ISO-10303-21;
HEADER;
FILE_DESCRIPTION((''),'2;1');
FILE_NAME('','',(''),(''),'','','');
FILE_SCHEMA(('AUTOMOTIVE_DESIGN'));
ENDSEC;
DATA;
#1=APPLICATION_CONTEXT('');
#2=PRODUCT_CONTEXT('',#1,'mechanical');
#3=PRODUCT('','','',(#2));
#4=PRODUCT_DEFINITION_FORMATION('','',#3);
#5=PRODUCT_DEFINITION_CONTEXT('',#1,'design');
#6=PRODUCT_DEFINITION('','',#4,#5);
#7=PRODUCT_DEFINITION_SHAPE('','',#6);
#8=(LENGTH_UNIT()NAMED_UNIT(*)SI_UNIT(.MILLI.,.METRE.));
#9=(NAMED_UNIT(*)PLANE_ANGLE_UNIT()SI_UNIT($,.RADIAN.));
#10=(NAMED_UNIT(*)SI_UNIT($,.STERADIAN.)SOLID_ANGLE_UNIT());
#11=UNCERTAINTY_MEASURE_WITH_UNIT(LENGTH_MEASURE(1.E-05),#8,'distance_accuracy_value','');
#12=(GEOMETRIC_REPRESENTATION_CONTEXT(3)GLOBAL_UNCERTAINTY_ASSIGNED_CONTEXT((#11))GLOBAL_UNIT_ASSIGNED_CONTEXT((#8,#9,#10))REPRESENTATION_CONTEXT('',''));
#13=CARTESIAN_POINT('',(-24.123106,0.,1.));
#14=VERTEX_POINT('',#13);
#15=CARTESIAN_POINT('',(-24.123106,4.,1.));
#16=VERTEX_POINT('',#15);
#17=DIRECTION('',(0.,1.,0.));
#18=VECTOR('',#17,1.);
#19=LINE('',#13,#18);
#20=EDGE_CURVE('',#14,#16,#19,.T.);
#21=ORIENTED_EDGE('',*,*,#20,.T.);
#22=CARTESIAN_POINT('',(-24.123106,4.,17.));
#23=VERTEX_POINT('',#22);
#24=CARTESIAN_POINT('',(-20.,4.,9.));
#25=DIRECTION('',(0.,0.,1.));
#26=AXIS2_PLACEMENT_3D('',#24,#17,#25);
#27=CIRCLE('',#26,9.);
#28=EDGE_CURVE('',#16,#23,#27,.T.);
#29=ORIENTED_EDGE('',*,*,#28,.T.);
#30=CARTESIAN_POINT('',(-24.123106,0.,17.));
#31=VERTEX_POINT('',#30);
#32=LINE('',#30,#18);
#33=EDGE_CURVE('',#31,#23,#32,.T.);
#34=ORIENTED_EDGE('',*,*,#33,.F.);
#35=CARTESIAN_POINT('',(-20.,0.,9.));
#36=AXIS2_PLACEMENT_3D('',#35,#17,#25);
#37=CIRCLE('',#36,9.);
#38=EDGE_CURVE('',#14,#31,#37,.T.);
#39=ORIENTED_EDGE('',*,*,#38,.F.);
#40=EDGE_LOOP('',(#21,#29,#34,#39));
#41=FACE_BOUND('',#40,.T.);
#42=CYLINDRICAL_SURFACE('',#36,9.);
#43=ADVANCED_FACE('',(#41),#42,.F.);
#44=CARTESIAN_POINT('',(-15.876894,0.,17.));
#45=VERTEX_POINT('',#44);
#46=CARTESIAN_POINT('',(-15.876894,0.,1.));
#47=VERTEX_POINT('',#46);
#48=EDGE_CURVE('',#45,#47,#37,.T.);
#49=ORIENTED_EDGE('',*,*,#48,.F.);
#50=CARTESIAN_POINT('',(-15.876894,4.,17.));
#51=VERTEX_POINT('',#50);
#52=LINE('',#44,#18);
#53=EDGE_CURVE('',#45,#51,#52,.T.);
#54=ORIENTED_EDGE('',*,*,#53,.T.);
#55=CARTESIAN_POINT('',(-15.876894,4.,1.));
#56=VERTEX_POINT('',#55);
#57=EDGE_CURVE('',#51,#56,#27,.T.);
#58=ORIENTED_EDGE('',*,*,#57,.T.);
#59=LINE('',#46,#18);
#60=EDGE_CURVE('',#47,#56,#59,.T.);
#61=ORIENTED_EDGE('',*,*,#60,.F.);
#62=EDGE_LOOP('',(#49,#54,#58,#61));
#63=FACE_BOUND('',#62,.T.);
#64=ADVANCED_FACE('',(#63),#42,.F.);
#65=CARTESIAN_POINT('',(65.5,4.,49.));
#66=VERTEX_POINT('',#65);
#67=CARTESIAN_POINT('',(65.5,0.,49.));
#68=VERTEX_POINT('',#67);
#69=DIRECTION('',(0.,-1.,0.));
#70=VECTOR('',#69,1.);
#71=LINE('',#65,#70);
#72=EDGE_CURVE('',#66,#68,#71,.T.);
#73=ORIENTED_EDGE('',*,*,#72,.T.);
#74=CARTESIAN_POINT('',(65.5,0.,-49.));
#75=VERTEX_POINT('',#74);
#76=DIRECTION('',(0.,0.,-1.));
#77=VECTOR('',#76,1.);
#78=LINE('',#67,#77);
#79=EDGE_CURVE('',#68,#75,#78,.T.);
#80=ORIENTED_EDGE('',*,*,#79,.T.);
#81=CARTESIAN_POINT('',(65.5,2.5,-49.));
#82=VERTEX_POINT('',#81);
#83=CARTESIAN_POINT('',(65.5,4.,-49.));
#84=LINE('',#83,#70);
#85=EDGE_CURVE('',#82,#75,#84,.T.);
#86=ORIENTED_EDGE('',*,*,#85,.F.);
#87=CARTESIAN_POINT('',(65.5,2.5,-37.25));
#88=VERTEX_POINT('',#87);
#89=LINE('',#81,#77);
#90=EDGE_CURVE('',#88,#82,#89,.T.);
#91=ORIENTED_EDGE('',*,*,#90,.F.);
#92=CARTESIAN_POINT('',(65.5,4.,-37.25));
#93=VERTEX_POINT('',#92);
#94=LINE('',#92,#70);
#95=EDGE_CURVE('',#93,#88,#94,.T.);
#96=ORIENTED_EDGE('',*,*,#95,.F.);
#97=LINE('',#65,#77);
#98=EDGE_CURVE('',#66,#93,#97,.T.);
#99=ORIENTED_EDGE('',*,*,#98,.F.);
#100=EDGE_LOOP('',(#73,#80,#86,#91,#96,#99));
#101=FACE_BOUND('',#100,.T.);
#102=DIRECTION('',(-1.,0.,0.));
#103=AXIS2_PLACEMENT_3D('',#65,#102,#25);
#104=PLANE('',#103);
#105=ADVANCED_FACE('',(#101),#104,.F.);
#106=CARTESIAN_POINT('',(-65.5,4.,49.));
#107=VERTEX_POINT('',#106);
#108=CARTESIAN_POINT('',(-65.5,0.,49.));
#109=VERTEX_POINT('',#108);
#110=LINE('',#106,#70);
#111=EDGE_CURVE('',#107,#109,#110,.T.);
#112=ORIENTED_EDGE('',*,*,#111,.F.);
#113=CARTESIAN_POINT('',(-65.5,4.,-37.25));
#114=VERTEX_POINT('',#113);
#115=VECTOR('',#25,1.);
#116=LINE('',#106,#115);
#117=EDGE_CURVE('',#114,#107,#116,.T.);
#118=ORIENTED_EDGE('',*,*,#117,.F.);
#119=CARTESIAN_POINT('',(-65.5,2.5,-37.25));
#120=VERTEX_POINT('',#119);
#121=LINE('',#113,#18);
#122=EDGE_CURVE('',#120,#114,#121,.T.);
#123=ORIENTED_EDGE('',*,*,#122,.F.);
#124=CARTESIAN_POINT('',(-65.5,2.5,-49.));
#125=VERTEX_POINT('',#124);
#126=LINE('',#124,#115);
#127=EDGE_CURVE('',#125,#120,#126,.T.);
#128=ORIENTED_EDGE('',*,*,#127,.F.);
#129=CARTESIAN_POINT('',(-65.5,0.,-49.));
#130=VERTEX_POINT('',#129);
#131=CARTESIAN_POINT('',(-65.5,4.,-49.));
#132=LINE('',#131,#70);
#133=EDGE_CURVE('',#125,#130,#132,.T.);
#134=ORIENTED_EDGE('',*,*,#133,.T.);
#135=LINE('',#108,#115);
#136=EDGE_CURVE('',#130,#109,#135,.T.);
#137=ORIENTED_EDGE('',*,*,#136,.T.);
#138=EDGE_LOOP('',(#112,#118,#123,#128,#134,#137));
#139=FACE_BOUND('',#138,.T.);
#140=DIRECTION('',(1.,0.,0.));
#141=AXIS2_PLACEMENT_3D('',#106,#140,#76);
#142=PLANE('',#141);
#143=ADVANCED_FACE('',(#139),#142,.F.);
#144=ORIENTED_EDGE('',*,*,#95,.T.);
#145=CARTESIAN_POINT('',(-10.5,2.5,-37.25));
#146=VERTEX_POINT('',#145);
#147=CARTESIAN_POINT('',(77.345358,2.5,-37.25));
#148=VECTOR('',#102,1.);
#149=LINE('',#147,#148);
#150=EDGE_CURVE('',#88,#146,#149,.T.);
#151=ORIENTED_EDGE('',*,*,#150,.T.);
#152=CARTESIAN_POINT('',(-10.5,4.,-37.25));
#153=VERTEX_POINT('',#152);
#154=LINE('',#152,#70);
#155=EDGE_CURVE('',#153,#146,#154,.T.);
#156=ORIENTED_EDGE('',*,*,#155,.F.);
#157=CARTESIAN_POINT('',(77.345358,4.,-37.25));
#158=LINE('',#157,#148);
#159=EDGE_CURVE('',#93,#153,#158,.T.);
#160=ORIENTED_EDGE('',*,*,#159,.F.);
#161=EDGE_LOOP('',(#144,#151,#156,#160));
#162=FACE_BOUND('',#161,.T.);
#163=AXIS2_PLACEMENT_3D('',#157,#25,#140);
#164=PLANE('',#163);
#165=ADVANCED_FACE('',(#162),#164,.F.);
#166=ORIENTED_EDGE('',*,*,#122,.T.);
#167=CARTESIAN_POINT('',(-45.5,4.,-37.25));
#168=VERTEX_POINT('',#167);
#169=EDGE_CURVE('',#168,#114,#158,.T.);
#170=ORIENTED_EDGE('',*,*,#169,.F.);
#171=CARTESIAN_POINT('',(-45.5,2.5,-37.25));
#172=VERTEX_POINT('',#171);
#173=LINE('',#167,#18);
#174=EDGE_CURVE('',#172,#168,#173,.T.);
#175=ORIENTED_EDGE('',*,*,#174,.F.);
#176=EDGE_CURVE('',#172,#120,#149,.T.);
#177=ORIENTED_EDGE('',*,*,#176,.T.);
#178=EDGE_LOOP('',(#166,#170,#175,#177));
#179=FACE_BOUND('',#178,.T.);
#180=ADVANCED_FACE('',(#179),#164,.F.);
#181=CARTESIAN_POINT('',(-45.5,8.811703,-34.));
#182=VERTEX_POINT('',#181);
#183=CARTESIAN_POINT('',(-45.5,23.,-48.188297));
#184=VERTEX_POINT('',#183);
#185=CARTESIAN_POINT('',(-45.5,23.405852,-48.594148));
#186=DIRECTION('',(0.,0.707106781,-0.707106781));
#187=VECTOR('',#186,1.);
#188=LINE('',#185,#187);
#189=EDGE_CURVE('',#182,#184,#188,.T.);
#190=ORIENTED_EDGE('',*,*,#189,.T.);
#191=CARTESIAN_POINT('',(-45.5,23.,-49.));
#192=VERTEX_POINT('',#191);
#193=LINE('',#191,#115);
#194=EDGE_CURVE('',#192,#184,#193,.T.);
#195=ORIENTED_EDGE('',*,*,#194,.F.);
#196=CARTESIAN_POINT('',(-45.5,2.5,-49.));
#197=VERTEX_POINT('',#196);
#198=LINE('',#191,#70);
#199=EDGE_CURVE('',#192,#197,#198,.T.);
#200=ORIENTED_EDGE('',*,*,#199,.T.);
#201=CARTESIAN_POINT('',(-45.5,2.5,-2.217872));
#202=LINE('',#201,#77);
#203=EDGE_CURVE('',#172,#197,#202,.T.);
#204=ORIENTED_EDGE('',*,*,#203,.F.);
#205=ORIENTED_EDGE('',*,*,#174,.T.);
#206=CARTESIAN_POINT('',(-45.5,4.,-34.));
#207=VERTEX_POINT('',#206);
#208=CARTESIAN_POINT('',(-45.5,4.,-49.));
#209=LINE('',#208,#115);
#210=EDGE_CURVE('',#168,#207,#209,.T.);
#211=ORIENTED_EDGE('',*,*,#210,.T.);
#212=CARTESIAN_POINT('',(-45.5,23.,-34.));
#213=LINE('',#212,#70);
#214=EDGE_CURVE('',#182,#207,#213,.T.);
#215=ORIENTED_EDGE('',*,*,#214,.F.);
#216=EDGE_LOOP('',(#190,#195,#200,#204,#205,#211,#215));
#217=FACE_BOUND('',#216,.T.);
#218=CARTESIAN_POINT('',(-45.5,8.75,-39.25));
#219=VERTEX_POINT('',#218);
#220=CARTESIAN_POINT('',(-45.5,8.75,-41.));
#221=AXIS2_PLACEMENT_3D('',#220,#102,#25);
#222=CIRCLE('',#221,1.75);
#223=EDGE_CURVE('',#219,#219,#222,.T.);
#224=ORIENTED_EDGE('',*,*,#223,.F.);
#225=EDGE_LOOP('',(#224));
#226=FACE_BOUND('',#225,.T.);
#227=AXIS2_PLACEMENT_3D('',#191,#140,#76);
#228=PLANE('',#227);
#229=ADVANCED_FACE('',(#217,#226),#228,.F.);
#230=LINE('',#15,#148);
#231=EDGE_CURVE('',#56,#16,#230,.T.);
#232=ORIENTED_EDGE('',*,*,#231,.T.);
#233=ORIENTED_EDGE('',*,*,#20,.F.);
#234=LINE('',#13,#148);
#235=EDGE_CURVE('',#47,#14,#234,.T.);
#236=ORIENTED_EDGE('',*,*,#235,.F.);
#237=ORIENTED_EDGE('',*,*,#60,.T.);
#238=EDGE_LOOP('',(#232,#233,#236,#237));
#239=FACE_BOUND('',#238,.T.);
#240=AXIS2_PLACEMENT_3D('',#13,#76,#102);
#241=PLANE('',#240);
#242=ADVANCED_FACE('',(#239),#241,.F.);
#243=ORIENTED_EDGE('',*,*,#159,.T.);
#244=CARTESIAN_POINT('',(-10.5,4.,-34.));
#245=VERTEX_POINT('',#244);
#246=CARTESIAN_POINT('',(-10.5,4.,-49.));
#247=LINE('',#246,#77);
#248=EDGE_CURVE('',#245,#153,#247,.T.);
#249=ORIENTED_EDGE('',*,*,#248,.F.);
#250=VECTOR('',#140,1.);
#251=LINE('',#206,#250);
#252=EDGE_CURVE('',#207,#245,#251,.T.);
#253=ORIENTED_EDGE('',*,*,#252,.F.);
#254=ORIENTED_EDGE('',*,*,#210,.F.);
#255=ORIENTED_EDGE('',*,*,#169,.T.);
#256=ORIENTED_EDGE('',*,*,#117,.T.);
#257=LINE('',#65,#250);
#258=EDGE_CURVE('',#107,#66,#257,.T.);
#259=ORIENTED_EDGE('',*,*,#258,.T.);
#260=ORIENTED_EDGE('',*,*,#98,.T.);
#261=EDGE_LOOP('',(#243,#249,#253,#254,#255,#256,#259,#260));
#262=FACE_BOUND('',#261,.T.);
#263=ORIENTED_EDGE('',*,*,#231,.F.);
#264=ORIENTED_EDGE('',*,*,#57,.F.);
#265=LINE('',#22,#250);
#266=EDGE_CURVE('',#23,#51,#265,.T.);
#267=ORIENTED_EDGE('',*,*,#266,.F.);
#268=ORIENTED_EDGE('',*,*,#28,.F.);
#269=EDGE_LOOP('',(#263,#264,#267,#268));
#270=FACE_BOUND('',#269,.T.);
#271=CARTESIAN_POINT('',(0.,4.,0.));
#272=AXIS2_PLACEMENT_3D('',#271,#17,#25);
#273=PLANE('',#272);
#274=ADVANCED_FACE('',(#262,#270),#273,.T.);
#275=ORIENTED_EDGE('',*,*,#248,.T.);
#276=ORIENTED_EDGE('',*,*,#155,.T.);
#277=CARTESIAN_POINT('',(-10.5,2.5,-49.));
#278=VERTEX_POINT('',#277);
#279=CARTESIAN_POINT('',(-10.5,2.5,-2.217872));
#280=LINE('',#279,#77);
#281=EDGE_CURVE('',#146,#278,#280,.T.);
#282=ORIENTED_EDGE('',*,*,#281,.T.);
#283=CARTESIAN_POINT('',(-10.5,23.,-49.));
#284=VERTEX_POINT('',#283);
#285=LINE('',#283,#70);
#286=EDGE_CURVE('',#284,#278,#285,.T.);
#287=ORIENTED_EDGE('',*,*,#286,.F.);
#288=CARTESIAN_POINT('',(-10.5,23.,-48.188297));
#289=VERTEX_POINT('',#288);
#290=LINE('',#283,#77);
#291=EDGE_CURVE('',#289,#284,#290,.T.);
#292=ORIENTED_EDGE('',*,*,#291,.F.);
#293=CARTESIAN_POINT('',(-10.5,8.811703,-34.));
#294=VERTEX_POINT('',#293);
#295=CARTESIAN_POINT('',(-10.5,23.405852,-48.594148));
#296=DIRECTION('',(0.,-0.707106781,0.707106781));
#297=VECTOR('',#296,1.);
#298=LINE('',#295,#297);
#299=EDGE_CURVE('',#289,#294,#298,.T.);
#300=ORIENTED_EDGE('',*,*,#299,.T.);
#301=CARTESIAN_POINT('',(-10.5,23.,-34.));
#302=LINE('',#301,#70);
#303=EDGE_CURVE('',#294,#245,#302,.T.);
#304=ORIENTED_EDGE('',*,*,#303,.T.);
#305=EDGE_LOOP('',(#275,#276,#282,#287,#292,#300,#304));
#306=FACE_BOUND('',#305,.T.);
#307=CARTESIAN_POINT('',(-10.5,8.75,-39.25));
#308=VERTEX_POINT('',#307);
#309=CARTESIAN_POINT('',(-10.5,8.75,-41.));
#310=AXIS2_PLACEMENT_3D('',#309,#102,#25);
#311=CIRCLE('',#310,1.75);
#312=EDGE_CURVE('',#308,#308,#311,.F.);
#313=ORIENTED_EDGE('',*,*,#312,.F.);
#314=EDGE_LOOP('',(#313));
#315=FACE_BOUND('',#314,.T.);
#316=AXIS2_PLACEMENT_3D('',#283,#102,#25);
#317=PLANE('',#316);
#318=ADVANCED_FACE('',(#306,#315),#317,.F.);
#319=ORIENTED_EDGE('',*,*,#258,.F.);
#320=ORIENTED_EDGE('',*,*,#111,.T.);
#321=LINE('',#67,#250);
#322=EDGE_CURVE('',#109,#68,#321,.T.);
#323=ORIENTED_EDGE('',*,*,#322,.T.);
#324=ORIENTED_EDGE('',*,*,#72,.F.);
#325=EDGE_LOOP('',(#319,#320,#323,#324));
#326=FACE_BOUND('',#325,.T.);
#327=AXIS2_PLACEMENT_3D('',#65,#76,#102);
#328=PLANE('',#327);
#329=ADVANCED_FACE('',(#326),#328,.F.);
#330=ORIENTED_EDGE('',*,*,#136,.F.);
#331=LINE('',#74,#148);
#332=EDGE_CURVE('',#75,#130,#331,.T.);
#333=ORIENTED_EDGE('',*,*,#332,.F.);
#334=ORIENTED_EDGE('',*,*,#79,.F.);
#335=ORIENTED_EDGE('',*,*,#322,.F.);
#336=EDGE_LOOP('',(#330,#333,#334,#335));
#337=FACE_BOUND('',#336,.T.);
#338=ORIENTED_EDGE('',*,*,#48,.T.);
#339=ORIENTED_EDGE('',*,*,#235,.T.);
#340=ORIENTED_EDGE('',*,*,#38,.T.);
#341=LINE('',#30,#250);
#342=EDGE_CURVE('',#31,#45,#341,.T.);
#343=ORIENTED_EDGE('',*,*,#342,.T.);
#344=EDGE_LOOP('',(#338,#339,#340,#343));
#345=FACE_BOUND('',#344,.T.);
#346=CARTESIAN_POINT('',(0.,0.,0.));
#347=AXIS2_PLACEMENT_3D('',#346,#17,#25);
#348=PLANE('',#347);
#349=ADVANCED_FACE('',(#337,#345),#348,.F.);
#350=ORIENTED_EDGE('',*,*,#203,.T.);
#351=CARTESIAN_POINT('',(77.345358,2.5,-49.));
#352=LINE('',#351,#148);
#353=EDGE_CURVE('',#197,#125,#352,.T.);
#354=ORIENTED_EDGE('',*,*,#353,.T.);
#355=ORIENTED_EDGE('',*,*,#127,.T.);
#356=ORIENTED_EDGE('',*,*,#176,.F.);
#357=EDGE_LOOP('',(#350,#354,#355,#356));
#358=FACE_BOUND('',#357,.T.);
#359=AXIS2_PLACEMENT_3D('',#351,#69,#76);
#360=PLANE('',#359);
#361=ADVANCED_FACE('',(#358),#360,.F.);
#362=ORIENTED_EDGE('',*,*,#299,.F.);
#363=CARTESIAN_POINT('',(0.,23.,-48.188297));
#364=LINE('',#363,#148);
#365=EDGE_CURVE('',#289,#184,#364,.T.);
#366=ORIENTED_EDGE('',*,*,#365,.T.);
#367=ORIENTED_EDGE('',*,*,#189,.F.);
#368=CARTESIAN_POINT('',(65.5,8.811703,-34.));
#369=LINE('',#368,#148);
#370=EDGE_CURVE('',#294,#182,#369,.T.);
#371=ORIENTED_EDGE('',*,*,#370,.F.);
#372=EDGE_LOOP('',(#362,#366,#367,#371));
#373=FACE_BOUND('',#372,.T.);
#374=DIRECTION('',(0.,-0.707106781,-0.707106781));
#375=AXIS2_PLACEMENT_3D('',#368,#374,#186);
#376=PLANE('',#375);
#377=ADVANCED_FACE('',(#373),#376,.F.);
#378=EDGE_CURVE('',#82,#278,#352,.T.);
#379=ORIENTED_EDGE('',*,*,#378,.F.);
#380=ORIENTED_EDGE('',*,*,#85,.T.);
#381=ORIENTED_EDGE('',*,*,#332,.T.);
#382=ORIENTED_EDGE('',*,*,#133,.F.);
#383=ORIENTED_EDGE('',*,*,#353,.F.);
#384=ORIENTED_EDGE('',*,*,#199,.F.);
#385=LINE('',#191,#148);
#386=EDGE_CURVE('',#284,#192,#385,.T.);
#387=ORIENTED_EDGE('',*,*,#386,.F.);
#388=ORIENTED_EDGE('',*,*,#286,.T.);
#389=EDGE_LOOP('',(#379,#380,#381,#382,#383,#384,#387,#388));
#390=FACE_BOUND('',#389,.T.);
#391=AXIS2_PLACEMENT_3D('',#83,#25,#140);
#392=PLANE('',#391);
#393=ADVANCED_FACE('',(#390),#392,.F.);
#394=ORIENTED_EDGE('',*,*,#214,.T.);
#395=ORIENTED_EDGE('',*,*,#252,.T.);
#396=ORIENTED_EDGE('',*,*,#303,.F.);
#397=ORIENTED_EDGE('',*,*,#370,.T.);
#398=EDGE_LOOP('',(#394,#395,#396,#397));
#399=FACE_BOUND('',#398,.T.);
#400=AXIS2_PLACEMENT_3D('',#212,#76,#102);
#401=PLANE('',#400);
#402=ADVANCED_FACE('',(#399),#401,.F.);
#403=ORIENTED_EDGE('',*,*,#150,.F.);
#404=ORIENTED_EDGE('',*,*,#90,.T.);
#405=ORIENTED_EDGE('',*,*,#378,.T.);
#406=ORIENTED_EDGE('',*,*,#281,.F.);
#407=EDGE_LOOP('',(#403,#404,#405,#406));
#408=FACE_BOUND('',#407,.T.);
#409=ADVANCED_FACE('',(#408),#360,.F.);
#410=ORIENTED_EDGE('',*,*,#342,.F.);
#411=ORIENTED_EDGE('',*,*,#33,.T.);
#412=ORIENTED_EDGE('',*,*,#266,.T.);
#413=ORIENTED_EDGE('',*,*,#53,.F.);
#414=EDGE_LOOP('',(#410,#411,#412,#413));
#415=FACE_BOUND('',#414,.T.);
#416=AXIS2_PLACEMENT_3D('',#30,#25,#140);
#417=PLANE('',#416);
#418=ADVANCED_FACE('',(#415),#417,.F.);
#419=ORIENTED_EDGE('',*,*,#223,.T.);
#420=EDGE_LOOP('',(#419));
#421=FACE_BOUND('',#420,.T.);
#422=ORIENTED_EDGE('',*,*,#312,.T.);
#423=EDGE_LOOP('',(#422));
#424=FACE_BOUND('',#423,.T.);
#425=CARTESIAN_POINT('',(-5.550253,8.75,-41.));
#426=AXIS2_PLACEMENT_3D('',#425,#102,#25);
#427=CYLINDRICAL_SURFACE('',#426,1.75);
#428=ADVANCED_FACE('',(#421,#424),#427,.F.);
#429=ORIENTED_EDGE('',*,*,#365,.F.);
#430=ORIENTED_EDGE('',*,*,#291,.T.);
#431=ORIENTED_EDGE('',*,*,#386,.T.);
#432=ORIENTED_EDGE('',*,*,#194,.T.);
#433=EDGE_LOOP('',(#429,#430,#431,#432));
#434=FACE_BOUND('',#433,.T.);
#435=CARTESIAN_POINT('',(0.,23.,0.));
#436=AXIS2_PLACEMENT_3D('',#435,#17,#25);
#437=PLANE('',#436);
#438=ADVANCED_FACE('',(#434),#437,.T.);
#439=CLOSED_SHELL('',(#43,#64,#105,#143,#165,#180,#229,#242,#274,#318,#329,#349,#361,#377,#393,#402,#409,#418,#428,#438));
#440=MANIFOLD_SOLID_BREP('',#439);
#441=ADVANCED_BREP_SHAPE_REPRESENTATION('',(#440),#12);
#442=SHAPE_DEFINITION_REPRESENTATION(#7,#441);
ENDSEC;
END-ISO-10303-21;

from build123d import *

# Parameters (mm, degrees)
SKETCH1_W               = 131
SKETCH1_H               = 98
BOSS_EXTRUDE1_DEPTH     = 4
LOCK_HOLE_DEPTH         = 82.897802168
SKETCH6_W               = 11.75
SKETCH6_H               = 1.5
CUT_EXTRUDE4_DEPTH      = 131
SKETCH3_W               = 35
SKETCH3_H               = 15
BOSS_EXTRUDE2_DEPTH     = 19
SKETCH4_R               = 1.75
CUT_EXTRUDE2_DEPTH      = 35
CUT_EXTRUDE3_DEPTH      = 124.494939168
CUT_EXTRUDE3_DEPTH_BACK = 124.494939168
SKETCH7_W               = 35
SKETCH7_H               = 1.5
BOSS_EXTRUDE3_DEPTH     = 11.75


with BuildPart() as part:
    # Sketch1 → Boss-Extrude1 (new body)
    with BuildSketch(Plane(origin=(0, 0, 0), x_dir=(1, 0, 0), z_dir=(0, 1, 0))):
        Rectangle(SKETCH1_W, SKETCH1_H)
    extrude(amount=BOSS_EXTRUDE1_DEPTH)

    # Lock → Lock Hole (cut, through all)
    with BuildSketch(Plane(origin=(0, 4, 0), x_dir=(1, 0, 0), z_dir=(0, 1, 0))):
        with BuildLine():
            Line((-24.123105626, -1), (-15.876894374, -1))
            ThreePointArc((-15.876894374, -1), (-11, -9), (-15.876894374, -17))
            Line((-15.876894374, -17), (-24.123105626, -17))
            ThreePointArc((-24.123105626, -17), (-29, -9), (-24.123105626, -1))
        make_face()
    extrude(amount=-LOCK_HOLE_DEPTH, mode=Mode.SUBTRACT)

    # Sketch6 → Cut-Extrude4 (cut)
    with BuildSketch(Plane.ZY.offset(65.5)):
        with Locations((-43.125, 3.25)):
            Rectangle(SKETCH6_W, SKETCH6_H)
    extrude(amount=-CUT_EXTRUDE4_DEPTH, mode=Mode.SUBTRACT)

    # Sketch3 → Boss-Extrude2 (add)
    with BuildSketch(Plane(origin=(0, 4, 0), x_dir=(1, 0, 0), z_dir=(0, 1, 0))):
        with Locations((-28, 41.5)):
            Rectangle(SKETCH3_W, SKETCH3_H)
    extrude(amount=BOSS_EXTRUDE2_DEPTH)

    # Sketch4 → Cut-Extrude2 (cut)
    with BuildSketch(Plane.ZY.offset(45.5)):
        with Locations((-41, 8.75)):
            Circle(SKETCH4_R)
    extrude(amount=-CUT_EXTRUDE2_DEPTH, mode=Mode.SUBTRACT)

    # Sketch5 → Cut-Extrude3 (cut, two sides: drawn at the far end of the back side and taken through both)
    with BuildSketch(Plane.ZY.offset(45.5).offset(-CUT_EXTRUDE3_DEPTH_BACK)):
        Polygon((-34, 8.811703297), (-48.188296703, 23), (-34, 23), align=None)
    extrude(amount=CUT_EXTRUDE3_DEPTH + CUT_EXTRUDE3_DEPTH_BACK, mode=Mode.SUBTRACT)

    # Sketch7 → Boss-Extrude3 (add)
    with BuildSketch(Plane(origin=(0, 0, -49), x_dir=(-1, 0, 0), z_dir=(0, 0, -1))):
        with Locations((28, 3.25)):
            Rectangle(SKETCH7_W, SKETCH7_H)
    extrude(amount=-BOSS_EXTRUDE3_DEPTH)


solid = part.part
